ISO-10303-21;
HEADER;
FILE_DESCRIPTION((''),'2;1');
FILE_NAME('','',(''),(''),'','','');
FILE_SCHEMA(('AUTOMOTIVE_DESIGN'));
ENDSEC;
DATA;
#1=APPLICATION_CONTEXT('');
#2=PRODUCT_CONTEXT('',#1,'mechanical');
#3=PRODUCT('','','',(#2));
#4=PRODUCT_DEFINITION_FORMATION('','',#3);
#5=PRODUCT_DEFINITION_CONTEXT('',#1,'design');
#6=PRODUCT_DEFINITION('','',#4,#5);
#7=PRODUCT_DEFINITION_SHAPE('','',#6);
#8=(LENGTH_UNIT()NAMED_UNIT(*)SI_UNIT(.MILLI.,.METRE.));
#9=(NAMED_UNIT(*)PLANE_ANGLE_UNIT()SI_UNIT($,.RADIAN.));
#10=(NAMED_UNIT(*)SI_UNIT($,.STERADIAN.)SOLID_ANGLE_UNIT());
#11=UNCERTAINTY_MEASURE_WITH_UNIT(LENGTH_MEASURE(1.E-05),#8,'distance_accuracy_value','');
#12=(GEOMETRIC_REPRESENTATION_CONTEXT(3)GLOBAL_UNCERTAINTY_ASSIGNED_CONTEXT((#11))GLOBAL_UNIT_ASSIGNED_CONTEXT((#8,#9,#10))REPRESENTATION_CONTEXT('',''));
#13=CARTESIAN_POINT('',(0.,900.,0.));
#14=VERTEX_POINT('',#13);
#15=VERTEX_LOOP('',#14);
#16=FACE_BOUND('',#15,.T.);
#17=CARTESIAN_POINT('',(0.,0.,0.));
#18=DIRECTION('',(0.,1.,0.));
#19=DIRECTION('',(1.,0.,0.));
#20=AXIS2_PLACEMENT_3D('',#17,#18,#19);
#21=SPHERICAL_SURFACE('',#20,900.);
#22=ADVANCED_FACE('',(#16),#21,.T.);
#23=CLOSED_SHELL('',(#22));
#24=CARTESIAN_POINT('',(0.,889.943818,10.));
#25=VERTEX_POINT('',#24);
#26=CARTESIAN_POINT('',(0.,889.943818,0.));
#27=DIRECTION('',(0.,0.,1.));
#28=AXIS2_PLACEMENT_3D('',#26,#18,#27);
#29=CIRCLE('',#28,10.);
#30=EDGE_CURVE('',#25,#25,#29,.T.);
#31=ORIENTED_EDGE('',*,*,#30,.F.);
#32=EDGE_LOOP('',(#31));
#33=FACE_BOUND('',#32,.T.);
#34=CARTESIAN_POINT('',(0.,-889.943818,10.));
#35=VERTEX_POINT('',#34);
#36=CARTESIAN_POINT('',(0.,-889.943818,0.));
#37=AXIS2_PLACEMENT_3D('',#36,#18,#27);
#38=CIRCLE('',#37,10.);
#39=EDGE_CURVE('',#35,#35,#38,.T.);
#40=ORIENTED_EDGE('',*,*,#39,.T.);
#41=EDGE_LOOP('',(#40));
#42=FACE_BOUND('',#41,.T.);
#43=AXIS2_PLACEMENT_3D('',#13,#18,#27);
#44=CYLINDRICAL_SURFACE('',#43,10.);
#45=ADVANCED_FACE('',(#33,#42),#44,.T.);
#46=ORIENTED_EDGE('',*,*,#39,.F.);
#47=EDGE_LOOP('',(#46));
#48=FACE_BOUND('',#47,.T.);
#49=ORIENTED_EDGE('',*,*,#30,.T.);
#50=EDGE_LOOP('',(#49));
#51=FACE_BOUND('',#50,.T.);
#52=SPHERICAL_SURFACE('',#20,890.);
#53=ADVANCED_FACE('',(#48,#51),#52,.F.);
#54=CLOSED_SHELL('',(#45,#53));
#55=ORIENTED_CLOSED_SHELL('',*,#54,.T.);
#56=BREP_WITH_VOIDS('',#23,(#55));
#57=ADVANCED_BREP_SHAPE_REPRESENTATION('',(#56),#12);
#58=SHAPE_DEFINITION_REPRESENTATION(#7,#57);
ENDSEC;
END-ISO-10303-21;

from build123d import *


with BuildPart() as part:
    # Sketch1 → Revolve-Thin8 (revolve)
    with BuildSketch(Plane.XY):
        with BuildLine():
            Line((0, 900), (0, -900))
            ThreePointArc((0, -900), (900, 0), (0, 900))
        make_face()
        with BuildLine():
            Line((10, 889.943818451), (10, -889.943818451))
            ThreePointArc((10, -889.943818451), (890, 0), (10, 889.943818451))
        make_face(mode=Mode.SUBTRACT)
    revolve(axis=Axis((0, 900, 0), (0, -1, 0)))


solid = part.part
